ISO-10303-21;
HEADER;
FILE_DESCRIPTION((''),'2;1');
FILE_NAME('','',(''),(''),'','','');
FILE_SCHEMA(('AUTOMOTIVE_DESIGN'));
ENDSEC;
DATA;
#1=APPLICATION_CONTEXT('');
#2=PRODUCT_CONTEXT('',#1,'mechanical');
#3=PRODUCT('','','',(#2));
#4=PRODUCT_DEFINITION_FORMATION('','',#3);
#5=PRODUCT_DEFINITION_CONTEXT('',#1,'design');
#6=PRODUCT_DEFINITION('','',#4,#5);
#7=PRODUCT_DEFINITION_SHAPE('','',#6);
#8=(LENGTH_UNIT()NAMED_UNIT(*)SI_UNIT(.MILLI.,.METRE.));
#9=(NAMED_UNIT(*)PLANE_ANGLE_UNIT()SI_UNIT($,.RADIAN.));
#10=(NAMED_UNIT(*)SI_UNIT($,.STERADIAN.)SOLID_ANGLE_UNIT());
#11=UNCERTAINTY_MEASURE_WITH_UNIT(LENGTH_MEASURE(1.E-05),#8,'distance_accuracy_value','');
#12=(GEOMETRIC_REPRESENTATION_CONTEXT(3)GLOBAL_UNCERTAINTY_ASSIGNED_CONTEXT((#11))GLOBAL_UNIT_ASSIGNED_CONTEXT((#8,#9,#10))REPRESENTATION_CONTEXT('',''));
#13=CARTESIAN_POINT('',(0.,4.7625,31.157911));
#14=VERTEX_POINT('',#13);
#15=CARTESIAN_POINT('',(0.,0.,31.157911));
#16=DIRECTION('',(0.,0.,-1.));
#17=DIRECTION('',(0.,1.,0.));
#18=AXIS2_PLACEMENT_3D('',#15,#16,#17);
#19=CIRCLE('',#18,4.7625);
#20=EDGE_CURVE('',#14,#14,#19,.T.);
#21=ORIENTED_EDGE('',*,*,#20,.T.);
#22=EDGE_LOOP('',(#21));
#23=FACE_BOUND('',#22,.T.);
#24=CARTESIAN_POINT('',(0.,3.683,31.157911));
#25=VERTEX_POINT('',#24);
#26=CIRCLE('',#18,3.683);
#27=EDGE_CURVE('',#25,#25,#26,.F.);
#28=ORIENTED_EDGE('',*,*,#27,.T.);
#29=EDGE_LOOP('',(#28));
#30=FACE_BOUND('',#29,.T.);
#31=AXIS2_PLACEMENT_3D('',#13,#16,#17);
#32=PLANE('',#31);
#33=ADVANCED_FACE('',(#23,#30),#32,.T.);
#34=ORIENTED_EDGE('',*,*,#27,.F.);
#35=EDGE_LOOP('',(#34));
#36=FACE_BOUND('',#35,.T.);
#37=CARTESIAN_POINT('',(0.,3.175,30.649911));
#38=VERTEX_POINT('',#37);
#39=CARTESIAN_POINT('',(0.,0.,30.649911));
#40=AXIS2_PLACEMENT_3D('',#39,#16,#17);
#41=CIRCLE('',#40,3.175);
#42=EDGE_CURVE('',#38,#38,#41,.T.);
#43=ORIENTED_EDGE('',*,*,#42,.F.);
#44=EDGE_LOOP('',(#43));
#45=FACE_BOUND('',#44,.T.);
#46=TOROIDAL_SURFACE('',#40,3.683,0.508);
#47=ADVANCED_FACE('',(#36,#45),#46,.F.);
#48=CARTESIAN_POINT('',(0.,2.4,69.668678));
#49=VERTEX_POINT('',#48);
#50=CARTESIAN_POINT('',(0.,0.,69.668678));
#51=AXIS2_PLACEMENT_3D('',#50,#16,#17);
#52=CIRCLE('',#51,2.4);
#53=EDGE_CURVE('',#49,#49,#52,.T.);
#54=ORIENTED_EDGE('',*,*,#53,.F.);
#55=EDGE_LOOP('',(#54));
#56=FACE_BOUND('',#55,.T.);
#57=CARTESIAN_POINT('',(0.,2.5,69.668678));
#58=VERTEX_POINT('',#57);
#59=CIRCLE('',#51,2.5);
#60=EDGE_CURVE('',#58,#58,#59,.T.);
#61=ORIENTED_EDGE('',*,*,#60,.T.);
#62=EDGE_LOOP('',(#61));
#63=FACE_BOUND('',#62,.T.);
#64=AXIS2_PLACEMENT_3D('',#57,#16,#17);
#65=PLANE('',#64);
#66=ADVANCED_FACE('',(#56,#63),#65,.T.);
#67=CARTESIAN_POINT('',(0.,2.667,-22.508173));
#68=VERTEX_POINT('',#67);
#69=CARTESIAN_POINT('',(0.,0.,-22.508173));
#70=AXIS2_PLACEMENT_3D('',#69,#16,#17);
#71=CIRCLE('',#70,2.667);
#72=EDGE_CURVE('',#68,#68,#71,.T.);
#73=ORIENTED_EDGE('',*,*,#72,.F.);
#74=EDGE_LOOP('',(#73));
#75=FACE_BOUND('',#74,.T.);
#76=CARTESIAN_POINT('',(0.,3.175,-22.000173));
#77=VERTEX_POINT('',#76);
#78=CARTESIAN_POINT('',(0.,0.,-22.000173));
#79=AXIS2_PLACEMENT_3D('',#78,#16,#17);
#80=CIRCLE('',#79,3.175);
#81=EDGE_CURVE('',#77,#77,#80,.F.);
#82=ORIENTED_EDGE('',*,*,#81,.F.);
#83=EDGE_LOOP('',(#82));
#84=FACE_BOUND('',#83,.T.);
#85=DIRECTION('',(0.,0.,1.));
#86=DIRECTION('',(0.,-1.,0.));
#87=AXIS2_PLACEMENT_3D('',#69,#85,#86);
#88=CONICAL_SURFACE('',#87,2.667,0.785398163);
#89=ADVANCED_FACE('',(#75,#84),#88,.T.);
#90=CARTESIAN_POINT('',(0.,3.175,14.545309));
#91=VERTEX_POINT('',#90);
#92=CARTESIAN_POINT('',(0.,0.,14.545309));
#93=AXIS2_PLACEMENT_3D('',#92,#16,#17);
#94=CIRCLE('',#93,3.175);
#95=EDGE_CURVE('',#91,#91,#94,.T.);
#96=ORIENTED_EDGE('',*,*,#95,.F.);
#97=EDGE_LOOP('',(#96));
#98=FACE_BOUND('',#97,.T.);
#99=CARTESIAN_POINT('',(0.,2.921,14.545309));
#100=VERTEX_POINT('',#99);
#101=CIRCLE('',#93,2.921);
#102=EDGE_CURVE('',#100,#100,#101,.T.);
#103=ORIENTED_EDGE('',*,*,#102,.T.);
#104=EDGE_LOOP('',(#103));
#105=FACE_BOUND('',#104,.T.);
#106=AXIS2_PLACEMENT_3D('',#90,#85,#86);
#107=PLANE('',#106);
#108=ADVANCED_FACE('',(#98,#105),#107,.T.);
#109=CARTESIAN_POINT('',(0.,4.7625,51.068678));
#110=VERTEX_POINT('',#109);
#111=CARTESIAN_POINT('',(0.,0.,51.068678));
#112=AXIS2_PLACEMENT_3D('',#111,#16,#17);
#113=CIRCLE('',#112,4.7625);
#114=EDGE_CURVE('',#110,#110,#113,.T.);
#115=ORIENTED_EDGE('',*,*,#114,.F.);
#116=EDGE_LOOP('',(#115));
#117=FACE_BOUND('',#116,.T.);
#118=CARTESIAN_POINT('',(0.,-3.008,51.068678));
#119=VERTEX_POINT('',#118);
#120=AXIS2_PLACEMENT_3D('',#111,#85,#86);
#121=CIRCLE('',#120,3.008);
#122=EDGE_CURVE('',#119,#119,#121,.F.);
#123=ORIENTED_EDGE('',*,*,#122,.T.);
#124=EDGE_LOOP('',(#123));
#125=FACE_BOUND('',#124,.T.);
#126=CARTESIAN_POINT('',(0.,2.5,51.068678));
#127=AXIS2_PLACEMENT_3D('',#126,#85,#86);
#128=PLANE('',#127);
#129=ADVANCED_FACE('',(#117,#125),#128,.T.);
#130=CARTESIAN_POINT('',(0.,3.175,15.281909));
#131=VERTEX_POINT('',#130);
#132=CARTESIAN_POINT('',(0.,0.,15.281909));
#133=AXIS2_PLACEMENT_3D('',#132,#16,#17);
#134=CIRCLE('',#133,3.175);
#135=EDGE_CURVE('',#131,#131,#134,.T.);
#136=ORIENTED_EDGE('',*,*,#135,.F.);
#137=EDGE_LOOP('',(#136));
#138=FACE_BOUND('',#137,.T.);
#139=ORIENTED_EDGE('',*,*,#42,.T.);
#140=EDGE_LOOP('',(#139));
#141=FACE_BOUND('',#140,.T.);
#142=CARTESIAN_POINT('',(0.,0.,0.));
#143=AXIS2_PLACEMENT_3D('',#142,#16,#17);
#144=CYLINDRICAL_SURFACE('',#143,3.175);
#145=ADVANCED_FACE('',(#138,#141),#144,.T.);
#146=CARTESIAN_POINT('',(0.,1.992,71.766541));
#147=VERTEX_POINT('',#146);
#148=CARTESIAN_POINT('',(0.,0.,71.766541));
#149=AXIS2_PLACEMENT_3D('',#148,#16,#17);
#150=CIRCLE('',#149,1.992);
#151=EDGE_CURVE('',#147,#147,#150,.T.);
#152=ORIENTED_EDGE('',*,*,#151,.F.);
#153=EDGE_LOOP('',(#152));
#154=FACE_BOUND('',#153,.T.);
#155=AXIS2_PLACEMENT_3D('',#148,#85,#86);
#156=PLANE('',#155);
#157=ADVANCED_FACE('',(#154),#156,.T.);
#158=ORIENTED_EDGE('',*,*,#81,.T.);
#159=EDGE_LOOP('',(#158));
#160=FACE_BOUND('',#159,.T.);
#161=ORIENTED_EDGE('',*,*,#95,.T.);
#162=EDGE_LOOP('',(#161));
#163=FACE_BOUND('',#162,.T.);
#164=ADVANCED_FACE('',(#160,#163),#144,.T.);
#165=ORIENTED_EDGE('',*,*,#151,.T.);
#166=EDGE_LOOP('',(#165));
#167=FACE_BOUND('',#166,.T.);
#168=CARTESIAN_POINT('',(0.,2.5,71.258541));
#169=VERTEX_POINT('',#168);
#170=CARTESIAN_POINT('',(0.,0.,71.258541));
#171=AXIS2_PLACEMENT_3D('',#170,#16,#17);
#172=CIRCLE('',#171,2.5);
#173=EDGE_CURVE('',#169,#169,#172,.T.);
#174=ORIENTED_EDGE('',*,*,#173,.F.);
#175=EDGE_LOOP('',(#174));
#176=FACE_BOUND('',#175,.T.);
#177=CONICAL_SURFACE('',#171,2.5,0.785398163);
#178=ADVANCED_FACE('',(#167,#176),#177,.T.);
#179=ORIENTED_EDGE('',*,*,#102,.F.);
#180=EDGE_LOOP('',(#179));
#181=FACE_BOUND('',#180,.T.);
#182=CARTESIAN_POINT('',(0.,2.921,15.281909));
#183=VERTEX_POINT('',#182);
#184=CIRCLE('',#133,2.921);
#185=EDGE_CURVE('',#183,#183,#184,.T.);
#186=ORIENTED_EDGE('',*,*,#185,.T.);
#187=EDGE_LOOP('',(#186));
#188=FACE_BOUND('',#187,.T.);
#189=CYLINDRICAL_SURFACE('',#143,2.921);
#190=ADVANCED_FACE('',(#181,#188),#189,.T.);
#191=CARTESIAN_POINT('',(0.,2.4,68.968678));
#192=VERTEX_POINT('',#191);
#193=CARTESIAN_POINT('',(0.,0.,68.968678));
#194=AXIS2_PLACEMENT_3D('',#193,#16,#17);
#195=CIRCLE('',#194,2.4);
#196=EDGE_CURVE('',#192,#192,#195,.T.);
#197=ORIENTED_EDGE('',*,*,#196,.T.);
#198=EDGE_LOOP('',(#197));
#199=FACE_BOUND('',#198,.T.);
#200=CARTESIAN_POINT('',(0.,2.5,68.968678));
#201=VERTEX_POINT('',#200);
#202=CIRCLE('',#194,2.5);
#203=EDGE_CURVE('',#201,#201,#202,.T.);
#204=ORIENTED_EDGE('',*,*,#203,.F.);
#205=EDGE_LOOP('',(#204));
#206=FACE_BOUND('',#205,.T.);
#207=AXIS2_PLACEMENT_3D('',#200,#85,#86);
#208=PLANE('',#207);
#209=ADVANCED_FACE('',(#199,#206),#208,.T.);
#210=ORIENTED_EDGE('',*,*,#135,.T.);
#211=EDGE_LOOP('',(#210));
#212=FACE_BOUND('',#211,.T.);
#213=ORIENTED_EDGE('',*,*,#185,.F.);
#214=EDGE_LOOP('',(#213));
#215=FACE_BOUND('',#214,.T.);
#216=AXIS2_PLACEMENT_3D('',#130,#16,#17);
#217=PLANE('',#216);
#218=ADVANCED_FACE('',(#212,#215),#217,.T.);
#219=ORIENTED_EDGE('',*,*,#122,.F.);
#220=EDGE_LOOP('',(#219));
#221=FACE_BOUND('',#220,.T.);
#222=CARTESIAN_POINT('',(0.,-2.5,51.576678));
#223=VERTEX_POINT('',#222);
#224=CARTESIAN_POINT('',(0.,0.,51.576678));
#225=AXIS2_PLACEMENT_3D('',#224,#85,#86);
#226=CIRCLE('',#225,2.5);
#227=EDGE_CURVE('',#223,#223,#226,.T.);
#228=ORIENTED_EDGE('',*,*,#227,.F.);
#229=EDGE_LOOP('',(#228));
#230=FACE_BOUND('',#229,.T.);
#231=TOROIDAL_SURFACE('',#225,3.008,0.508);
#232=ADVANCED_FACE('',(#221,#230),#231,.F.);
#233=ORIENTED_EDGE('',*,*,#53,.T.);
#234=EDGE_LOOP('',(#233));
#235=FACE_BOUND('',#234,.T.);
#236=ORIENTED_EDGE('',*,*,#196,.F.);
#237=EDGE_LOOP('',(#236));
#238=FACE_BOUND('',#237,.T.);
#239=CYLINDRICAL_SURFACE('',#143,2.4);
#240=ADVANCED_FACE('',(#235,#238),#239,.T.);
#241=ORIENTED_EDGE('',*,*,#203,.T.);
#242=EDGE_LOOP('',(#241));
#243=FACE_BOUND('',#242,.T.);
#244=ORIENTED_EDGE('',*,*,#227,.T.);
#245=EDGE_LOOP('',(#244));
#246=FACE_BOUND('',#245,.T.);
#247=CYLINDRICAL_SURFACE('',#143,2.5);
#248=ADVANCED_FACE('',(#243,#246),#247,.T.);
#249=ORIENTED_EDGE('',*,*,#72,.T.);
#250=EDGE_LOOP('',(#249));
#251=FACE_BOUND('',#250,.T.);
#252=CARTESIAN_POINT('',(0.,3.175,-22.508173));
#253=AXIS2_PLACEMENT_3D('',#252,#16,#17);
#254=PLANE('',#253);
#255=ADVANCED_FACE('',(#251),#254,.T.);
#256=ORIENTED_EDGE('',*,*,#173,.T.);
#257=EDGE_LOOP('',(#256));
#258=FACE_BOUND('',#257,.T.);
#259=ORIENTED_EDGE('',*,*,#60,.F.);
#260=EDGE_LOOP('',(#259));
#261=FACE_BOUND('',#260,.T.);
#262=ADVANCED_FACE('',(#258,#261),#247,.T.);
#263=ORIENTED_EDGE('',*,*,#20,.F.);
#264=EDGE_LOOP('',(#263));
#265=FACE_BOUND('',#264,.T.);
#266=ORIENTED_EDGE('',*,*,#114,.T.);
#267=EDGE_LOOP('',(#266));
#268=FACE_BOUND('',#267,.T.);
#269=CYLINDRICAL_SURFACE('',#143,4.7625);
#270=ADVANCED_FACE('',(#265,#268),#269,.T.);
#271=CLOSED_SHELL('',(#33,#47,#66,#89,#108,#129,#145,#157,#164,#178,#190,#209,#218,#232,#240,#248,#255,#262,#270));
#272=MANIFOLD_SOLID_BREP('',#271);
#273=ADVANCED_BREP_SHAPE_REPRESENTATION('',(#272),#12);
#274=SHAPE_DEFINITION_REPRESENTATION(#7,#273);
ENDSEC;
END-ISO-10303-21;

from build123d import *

# Parameters (mm, degrees)
CHAMFER1_SIZE = 0.508
FILLET1_R     = 0.508


with BuildPart() as part:
    # Sketch1 → Revolve1 (revolve)
    with BuildSketch(Plane(origin=(0, 0, 0), x_dir=(0, 0, -1), z_dir=(1, 0, 0))):
        Polygon((-71.766540521, 0), (-71.766540521, 1.992), (-71.258540521, 2.5), (-69.668678408, 2.5), (-69.668678408, 2.4), (-68.968678284, 2.4), (-68.968678284, 2.5), (-51.068678408, 2.5), (-51.068678408, 4.7625), (-31.157911357, 4.7625), (-31.157911357, 3.175), (-15.281908522, 3.175), (-15.281908522, 2.921), (-14.545308522, 2.921), (-14.545308522, 3.175), (22.508173379, 3.175), (22.508173379, 0), align=None)
    revolve(axis=Axis((0, 0, 0), (0, 0, 1)))

    # Chamfer1
    chamfer1_edges = [part.edges().sort_by_distance(p)[0] for p in [
        (0, -3.175, -22.508173379),
    ]]
    chamfer(chamfer1_edges, length=CHAMFER1_SIZE)

    # Fillet1
    fillet1_edges = [part.edges().sort_by_distance(p)[0] for p in [
        (0, -3.175, 31.157911357),
        (0, -2.5, 51.068678408),
    ]]
    fillet(fillet1_edges, radius=FILLET1_R)


solid = part.part
